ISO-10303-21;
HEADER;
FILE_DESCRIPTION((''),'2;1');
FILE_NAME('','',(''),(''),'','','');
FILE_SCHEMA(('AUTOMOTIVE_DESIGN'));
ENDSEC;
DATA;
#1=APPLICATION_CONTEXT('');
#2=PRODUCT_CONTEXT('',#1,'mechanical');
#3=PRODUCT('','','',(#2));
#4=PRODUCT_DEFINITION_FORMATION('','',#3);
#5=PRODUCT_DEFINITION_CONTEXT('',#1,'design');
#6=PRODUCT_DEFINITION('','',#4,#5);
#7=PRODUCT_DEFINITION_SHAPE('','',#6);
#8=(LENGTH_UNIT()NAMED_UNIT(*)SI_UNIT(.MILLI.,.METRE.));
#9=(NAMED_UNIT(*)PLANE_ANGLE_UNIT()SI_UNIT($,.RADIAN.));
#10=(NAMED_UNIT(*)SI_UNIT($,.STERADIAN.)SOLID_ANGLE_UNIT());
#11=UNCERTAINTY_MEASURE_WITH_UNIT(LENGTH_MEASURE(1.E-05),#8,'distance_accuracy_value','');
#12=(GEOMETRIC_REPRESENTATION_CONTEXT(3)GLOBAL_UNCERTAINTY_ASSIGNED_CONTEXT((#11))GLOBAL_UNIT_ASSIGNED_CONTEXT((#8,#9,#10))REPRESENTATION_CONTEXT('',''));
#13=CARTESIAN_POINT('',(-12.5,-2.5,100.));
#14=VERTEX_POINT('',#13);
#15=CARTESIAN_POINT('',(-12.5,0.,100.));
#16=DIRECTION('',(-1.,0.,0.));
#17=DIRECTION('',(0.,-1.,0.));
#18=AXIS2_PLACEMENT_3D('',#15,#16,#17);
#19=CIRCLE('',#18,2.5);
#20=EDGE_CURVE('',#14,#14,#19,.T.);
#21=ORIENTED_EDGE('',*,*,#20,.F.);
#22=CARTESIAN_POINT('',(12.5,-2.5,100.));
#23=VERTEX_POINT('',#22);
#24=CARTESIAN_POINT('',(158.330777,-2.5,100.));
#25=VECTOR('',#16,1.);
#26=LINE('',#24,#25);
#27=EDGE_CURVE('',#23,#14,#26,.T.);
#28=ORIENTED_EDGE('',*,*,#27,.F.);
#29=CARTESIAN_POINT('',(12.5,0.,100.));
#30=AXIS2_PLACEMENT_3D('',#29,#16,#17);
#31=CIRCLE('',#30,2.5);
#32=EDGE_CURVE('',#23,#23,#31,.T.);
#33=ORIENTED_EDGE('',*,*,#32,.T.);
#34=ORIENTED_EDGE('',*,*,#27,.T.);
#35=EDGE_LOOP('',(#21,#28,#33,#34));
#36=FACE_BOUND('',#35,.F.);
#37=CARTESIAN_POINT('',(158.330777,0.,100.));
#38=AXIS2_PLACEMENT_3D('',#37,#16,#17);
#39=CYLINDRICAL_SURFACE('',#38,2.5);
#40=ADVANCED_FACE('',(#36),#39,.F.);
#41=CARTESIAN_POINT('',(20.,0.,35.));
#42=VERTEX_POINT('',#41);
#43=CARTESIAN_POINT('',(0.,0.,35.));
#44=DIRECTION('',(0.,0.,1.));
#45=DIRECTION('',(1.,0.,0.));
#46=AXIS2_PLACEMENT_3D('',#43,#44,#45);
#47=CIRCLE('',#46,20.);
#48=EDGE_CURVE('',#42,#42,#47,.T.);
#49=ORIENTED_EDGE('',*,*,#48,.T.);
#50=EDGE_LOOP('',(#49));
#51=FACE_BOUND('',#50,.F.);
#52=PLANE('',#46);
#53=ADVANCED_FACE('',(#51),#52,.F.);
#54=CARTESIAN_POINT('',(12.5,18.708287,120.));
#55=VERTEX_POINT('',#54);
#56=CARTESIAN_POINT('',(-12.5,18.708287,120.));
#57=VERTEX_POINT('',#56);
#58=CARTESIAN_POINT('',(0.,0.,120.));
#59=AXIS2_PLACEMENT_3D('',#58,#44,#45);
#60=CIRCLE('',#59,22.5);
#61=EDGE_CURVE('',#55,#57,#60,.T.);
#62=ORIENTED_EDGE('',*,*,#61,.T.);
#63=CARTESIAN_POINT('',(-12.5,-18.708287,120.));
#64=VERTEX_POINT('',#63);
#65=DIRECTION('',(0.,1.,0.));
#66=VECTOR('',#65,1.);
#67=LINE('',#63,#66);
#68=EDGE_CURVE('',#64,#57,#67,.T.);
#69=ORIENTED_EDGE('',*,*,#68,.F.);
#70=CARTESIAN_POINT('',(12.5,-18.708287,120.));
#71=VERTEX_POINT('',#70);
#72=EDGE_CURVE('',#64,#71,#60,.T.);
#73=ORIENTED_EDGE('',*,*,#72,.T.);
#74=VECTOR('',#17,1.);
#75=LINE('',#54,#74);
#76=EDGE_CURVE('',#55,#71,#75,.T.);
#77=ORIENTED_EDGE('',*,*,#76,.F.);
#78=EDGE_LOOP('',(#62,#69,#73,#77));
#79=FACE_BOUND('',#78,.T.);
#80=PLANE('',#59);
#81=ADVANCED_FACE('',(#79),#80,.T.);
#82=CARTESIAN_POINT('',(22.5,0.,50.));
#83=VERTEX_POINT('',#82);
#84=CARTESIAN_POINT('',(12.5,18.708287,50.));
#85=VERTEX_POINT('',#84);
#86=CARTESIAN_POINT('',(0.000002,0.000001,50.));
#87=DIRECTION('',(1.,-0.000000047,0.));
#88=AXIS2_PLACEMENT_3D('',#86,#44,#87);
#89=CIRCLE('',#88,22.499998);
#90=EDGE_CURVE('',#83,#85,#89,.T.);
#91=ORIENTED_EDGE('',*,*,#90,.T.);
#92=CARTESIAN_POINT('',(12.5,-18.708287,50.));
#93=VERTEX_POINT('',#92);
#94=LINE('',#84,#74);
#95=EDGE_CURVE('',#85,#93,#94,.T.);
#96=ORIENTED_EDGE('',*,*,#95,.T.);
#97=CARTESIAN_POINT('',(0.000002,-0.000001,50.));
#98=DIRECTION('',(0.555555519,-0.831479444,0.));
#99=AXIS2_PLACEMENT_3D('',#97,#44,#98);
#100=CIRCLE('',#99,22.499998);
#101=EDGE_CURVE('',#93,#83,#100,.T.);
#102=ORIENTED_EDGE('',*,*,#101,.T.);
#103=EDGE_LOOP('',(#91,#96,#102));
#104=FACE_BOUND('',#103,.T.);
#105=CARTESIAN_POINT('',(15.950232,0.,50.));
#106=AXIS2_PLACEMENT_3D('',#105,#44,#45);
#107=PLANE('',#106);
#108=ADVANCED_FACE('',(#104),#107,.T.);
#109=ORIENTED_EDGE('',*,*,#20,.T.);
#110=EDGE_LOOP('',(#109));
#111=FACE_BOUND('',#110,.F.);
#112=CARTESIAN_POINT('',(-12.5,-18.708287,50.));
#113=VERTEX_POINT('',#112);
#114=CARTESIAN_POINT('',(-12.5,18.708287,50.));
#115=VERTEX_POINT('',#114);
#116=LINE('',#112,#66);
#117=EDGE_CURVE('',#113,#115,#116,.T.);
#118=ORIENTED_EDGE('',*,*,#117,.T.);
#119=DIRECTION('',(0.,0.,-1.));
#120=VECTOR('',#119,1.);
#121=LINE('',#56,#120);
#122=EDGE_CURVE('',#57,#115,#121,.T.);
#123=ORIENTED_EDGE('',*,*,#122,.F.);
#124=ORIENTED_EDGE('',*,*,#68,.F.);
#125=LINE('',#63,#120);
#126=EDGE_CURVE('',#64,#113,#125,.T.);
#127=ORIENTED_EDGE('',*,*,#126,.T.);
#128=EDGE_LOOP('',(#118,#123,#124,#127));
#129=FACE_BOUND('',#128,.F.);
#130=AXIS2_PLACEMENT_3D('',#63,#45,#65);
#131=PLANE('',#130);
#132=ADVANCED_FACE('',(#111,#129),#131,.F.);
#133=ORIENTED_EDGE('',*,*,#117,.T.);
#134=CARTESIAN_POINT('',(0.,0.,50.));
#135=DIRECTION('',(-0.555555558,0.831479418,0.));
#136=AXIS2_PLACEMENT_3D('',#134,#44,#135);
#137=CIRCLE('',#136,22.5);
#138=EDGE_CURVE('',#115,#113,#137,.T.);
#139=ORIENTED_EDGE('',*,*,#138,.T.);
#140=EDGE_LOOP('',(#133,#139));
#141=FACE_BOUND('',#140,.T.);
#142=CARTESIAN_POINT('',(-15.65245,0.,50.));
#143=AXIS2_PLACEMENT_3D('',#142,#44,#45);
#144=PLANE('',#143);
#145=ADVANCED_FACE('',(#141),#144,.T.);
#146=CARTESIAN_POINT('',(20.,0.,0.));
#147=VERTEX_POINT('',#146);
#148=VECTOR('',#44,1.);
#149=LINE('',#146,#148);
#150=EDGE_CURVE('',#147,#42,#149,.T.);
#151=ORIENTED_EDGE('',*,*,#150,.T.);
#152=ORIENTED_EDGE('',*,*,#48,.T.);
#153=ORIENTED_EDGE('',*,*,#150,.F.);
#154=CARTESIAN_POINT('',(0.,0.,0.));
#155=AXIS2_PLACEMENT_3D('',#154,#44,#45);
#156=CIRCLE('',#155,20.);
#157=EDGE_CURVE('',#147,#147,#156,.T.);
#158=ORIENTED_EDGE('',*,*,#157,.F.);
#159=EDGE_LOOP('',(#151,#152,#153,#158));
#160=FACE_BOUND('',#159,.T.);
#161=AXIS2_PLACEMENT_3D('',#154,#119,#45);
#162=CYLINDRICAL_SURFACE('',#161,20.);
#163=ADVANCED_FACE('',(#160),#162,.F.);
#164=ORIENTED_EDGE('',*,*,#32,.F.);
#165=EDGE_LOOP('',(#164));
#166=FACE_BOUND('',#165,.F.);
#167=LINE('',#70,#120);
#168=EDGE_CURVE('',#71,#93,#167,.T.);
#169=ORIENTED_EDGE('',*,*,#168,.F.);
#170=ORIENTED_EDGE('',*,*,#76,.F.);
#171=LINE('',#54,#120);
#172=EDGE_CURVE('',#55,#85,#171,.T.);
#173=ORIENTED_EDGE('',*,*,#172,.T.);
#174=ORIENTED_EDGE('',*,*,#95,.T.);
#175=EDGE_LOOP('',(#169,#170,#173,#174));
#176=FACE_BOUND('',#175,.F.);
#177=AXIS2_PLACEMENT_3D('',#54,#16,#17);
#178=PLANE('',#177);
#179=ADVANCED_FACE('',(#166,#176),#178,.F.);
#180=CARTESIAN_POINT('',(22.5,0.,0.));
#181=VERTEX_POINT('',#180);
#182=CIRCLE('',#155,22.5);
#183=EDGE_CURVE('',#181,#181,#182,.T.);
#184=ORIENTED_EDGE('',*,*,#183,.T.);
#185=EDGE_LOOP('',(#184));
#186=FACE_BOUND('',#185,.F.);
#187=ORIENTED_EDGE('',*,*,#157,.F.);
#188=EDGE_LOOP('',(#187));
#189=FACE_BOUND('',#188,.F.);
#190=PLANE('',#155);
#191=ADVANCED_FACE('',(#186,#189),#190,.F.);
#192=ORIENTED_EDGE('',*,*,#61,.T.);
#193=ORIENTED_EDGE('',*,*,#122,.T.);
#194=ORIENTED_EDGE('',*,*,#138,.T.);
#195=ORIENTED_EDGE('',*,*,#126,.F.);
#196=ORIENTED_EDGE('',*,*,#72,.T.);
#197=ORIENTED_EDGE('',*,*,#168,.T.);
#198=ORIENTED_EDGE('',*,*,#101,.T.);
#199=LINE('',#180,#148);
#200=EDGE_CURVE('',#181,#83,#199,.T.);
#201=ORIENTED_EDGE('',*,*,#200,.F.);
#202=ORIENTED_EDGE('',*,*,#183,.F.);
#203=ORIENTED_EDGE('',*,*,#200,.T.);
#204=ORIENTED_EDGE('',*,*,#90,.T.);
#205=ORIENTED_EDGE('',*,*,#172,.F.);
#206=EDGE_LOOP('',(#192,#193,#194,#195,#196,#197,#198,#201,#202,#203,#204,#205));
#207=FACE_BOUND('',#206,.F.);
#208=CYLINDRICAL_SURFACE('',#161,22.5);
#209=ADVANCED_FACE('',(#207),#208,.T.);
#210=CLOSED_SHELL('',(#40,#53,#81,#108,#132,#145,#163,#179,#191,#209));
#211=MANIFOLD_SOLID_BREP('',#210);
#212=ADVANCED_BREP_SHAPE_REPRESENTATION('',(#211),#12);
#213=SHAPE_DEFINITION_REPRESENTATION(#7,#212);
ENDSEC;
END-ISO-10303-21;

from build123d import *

# Parameters (mm, degrees)
F0_R     = 22.5
F1_DEPTH = 120
F3_DEPTH = 70
F4_R     = 20
F5_DEPTH = 35
F8_D     = 5


with BuildPart() as f1:
    # F0 (on Top) → F1 (new body)
    with BuildSketch(Plane.XY):
        Circle(F0_R)
    extrude(amount=F1_DEPTH)

    # F2 (on face) → F3 (cut)
    with BuildSketch(Plane.XY.offset(120)):
        with BuildLine():
            Line((-12.5, -18.708287), (-12.5, 18.708287))
            ThreePointArc((-12.5, 18.708287), (-22.5, 0), (-12.5, -18.708287))
        make_face()
        with BuildLine():
            ThreePointArc((22.5, 0), (19.843135, 10.606602), (12.5, 18.708287))
            Line((12.5, 18.708287), (12.5, -18.708287))
            ThreePointArc((12.5, -18.708287), (19.843135, -10.606602), (22.5, 0))
        make_face()
    extrude(amount=-F3_DEPTH, mode=Mode.SUBTRACT)

    # F4 (on face) → F5 (cut)
    with BuildSketch(Plane.XY):
        Circle(F4_R)
    extrude(amount=F5_DEPTH, mode=Mode.SUBTRACT)

    # F8 (through all)
    with Locations(Plane.YZ.offset(22.5)):
        with Locations((0, 100)):
            Hole(F8_D / 2)


solid = f1.part
